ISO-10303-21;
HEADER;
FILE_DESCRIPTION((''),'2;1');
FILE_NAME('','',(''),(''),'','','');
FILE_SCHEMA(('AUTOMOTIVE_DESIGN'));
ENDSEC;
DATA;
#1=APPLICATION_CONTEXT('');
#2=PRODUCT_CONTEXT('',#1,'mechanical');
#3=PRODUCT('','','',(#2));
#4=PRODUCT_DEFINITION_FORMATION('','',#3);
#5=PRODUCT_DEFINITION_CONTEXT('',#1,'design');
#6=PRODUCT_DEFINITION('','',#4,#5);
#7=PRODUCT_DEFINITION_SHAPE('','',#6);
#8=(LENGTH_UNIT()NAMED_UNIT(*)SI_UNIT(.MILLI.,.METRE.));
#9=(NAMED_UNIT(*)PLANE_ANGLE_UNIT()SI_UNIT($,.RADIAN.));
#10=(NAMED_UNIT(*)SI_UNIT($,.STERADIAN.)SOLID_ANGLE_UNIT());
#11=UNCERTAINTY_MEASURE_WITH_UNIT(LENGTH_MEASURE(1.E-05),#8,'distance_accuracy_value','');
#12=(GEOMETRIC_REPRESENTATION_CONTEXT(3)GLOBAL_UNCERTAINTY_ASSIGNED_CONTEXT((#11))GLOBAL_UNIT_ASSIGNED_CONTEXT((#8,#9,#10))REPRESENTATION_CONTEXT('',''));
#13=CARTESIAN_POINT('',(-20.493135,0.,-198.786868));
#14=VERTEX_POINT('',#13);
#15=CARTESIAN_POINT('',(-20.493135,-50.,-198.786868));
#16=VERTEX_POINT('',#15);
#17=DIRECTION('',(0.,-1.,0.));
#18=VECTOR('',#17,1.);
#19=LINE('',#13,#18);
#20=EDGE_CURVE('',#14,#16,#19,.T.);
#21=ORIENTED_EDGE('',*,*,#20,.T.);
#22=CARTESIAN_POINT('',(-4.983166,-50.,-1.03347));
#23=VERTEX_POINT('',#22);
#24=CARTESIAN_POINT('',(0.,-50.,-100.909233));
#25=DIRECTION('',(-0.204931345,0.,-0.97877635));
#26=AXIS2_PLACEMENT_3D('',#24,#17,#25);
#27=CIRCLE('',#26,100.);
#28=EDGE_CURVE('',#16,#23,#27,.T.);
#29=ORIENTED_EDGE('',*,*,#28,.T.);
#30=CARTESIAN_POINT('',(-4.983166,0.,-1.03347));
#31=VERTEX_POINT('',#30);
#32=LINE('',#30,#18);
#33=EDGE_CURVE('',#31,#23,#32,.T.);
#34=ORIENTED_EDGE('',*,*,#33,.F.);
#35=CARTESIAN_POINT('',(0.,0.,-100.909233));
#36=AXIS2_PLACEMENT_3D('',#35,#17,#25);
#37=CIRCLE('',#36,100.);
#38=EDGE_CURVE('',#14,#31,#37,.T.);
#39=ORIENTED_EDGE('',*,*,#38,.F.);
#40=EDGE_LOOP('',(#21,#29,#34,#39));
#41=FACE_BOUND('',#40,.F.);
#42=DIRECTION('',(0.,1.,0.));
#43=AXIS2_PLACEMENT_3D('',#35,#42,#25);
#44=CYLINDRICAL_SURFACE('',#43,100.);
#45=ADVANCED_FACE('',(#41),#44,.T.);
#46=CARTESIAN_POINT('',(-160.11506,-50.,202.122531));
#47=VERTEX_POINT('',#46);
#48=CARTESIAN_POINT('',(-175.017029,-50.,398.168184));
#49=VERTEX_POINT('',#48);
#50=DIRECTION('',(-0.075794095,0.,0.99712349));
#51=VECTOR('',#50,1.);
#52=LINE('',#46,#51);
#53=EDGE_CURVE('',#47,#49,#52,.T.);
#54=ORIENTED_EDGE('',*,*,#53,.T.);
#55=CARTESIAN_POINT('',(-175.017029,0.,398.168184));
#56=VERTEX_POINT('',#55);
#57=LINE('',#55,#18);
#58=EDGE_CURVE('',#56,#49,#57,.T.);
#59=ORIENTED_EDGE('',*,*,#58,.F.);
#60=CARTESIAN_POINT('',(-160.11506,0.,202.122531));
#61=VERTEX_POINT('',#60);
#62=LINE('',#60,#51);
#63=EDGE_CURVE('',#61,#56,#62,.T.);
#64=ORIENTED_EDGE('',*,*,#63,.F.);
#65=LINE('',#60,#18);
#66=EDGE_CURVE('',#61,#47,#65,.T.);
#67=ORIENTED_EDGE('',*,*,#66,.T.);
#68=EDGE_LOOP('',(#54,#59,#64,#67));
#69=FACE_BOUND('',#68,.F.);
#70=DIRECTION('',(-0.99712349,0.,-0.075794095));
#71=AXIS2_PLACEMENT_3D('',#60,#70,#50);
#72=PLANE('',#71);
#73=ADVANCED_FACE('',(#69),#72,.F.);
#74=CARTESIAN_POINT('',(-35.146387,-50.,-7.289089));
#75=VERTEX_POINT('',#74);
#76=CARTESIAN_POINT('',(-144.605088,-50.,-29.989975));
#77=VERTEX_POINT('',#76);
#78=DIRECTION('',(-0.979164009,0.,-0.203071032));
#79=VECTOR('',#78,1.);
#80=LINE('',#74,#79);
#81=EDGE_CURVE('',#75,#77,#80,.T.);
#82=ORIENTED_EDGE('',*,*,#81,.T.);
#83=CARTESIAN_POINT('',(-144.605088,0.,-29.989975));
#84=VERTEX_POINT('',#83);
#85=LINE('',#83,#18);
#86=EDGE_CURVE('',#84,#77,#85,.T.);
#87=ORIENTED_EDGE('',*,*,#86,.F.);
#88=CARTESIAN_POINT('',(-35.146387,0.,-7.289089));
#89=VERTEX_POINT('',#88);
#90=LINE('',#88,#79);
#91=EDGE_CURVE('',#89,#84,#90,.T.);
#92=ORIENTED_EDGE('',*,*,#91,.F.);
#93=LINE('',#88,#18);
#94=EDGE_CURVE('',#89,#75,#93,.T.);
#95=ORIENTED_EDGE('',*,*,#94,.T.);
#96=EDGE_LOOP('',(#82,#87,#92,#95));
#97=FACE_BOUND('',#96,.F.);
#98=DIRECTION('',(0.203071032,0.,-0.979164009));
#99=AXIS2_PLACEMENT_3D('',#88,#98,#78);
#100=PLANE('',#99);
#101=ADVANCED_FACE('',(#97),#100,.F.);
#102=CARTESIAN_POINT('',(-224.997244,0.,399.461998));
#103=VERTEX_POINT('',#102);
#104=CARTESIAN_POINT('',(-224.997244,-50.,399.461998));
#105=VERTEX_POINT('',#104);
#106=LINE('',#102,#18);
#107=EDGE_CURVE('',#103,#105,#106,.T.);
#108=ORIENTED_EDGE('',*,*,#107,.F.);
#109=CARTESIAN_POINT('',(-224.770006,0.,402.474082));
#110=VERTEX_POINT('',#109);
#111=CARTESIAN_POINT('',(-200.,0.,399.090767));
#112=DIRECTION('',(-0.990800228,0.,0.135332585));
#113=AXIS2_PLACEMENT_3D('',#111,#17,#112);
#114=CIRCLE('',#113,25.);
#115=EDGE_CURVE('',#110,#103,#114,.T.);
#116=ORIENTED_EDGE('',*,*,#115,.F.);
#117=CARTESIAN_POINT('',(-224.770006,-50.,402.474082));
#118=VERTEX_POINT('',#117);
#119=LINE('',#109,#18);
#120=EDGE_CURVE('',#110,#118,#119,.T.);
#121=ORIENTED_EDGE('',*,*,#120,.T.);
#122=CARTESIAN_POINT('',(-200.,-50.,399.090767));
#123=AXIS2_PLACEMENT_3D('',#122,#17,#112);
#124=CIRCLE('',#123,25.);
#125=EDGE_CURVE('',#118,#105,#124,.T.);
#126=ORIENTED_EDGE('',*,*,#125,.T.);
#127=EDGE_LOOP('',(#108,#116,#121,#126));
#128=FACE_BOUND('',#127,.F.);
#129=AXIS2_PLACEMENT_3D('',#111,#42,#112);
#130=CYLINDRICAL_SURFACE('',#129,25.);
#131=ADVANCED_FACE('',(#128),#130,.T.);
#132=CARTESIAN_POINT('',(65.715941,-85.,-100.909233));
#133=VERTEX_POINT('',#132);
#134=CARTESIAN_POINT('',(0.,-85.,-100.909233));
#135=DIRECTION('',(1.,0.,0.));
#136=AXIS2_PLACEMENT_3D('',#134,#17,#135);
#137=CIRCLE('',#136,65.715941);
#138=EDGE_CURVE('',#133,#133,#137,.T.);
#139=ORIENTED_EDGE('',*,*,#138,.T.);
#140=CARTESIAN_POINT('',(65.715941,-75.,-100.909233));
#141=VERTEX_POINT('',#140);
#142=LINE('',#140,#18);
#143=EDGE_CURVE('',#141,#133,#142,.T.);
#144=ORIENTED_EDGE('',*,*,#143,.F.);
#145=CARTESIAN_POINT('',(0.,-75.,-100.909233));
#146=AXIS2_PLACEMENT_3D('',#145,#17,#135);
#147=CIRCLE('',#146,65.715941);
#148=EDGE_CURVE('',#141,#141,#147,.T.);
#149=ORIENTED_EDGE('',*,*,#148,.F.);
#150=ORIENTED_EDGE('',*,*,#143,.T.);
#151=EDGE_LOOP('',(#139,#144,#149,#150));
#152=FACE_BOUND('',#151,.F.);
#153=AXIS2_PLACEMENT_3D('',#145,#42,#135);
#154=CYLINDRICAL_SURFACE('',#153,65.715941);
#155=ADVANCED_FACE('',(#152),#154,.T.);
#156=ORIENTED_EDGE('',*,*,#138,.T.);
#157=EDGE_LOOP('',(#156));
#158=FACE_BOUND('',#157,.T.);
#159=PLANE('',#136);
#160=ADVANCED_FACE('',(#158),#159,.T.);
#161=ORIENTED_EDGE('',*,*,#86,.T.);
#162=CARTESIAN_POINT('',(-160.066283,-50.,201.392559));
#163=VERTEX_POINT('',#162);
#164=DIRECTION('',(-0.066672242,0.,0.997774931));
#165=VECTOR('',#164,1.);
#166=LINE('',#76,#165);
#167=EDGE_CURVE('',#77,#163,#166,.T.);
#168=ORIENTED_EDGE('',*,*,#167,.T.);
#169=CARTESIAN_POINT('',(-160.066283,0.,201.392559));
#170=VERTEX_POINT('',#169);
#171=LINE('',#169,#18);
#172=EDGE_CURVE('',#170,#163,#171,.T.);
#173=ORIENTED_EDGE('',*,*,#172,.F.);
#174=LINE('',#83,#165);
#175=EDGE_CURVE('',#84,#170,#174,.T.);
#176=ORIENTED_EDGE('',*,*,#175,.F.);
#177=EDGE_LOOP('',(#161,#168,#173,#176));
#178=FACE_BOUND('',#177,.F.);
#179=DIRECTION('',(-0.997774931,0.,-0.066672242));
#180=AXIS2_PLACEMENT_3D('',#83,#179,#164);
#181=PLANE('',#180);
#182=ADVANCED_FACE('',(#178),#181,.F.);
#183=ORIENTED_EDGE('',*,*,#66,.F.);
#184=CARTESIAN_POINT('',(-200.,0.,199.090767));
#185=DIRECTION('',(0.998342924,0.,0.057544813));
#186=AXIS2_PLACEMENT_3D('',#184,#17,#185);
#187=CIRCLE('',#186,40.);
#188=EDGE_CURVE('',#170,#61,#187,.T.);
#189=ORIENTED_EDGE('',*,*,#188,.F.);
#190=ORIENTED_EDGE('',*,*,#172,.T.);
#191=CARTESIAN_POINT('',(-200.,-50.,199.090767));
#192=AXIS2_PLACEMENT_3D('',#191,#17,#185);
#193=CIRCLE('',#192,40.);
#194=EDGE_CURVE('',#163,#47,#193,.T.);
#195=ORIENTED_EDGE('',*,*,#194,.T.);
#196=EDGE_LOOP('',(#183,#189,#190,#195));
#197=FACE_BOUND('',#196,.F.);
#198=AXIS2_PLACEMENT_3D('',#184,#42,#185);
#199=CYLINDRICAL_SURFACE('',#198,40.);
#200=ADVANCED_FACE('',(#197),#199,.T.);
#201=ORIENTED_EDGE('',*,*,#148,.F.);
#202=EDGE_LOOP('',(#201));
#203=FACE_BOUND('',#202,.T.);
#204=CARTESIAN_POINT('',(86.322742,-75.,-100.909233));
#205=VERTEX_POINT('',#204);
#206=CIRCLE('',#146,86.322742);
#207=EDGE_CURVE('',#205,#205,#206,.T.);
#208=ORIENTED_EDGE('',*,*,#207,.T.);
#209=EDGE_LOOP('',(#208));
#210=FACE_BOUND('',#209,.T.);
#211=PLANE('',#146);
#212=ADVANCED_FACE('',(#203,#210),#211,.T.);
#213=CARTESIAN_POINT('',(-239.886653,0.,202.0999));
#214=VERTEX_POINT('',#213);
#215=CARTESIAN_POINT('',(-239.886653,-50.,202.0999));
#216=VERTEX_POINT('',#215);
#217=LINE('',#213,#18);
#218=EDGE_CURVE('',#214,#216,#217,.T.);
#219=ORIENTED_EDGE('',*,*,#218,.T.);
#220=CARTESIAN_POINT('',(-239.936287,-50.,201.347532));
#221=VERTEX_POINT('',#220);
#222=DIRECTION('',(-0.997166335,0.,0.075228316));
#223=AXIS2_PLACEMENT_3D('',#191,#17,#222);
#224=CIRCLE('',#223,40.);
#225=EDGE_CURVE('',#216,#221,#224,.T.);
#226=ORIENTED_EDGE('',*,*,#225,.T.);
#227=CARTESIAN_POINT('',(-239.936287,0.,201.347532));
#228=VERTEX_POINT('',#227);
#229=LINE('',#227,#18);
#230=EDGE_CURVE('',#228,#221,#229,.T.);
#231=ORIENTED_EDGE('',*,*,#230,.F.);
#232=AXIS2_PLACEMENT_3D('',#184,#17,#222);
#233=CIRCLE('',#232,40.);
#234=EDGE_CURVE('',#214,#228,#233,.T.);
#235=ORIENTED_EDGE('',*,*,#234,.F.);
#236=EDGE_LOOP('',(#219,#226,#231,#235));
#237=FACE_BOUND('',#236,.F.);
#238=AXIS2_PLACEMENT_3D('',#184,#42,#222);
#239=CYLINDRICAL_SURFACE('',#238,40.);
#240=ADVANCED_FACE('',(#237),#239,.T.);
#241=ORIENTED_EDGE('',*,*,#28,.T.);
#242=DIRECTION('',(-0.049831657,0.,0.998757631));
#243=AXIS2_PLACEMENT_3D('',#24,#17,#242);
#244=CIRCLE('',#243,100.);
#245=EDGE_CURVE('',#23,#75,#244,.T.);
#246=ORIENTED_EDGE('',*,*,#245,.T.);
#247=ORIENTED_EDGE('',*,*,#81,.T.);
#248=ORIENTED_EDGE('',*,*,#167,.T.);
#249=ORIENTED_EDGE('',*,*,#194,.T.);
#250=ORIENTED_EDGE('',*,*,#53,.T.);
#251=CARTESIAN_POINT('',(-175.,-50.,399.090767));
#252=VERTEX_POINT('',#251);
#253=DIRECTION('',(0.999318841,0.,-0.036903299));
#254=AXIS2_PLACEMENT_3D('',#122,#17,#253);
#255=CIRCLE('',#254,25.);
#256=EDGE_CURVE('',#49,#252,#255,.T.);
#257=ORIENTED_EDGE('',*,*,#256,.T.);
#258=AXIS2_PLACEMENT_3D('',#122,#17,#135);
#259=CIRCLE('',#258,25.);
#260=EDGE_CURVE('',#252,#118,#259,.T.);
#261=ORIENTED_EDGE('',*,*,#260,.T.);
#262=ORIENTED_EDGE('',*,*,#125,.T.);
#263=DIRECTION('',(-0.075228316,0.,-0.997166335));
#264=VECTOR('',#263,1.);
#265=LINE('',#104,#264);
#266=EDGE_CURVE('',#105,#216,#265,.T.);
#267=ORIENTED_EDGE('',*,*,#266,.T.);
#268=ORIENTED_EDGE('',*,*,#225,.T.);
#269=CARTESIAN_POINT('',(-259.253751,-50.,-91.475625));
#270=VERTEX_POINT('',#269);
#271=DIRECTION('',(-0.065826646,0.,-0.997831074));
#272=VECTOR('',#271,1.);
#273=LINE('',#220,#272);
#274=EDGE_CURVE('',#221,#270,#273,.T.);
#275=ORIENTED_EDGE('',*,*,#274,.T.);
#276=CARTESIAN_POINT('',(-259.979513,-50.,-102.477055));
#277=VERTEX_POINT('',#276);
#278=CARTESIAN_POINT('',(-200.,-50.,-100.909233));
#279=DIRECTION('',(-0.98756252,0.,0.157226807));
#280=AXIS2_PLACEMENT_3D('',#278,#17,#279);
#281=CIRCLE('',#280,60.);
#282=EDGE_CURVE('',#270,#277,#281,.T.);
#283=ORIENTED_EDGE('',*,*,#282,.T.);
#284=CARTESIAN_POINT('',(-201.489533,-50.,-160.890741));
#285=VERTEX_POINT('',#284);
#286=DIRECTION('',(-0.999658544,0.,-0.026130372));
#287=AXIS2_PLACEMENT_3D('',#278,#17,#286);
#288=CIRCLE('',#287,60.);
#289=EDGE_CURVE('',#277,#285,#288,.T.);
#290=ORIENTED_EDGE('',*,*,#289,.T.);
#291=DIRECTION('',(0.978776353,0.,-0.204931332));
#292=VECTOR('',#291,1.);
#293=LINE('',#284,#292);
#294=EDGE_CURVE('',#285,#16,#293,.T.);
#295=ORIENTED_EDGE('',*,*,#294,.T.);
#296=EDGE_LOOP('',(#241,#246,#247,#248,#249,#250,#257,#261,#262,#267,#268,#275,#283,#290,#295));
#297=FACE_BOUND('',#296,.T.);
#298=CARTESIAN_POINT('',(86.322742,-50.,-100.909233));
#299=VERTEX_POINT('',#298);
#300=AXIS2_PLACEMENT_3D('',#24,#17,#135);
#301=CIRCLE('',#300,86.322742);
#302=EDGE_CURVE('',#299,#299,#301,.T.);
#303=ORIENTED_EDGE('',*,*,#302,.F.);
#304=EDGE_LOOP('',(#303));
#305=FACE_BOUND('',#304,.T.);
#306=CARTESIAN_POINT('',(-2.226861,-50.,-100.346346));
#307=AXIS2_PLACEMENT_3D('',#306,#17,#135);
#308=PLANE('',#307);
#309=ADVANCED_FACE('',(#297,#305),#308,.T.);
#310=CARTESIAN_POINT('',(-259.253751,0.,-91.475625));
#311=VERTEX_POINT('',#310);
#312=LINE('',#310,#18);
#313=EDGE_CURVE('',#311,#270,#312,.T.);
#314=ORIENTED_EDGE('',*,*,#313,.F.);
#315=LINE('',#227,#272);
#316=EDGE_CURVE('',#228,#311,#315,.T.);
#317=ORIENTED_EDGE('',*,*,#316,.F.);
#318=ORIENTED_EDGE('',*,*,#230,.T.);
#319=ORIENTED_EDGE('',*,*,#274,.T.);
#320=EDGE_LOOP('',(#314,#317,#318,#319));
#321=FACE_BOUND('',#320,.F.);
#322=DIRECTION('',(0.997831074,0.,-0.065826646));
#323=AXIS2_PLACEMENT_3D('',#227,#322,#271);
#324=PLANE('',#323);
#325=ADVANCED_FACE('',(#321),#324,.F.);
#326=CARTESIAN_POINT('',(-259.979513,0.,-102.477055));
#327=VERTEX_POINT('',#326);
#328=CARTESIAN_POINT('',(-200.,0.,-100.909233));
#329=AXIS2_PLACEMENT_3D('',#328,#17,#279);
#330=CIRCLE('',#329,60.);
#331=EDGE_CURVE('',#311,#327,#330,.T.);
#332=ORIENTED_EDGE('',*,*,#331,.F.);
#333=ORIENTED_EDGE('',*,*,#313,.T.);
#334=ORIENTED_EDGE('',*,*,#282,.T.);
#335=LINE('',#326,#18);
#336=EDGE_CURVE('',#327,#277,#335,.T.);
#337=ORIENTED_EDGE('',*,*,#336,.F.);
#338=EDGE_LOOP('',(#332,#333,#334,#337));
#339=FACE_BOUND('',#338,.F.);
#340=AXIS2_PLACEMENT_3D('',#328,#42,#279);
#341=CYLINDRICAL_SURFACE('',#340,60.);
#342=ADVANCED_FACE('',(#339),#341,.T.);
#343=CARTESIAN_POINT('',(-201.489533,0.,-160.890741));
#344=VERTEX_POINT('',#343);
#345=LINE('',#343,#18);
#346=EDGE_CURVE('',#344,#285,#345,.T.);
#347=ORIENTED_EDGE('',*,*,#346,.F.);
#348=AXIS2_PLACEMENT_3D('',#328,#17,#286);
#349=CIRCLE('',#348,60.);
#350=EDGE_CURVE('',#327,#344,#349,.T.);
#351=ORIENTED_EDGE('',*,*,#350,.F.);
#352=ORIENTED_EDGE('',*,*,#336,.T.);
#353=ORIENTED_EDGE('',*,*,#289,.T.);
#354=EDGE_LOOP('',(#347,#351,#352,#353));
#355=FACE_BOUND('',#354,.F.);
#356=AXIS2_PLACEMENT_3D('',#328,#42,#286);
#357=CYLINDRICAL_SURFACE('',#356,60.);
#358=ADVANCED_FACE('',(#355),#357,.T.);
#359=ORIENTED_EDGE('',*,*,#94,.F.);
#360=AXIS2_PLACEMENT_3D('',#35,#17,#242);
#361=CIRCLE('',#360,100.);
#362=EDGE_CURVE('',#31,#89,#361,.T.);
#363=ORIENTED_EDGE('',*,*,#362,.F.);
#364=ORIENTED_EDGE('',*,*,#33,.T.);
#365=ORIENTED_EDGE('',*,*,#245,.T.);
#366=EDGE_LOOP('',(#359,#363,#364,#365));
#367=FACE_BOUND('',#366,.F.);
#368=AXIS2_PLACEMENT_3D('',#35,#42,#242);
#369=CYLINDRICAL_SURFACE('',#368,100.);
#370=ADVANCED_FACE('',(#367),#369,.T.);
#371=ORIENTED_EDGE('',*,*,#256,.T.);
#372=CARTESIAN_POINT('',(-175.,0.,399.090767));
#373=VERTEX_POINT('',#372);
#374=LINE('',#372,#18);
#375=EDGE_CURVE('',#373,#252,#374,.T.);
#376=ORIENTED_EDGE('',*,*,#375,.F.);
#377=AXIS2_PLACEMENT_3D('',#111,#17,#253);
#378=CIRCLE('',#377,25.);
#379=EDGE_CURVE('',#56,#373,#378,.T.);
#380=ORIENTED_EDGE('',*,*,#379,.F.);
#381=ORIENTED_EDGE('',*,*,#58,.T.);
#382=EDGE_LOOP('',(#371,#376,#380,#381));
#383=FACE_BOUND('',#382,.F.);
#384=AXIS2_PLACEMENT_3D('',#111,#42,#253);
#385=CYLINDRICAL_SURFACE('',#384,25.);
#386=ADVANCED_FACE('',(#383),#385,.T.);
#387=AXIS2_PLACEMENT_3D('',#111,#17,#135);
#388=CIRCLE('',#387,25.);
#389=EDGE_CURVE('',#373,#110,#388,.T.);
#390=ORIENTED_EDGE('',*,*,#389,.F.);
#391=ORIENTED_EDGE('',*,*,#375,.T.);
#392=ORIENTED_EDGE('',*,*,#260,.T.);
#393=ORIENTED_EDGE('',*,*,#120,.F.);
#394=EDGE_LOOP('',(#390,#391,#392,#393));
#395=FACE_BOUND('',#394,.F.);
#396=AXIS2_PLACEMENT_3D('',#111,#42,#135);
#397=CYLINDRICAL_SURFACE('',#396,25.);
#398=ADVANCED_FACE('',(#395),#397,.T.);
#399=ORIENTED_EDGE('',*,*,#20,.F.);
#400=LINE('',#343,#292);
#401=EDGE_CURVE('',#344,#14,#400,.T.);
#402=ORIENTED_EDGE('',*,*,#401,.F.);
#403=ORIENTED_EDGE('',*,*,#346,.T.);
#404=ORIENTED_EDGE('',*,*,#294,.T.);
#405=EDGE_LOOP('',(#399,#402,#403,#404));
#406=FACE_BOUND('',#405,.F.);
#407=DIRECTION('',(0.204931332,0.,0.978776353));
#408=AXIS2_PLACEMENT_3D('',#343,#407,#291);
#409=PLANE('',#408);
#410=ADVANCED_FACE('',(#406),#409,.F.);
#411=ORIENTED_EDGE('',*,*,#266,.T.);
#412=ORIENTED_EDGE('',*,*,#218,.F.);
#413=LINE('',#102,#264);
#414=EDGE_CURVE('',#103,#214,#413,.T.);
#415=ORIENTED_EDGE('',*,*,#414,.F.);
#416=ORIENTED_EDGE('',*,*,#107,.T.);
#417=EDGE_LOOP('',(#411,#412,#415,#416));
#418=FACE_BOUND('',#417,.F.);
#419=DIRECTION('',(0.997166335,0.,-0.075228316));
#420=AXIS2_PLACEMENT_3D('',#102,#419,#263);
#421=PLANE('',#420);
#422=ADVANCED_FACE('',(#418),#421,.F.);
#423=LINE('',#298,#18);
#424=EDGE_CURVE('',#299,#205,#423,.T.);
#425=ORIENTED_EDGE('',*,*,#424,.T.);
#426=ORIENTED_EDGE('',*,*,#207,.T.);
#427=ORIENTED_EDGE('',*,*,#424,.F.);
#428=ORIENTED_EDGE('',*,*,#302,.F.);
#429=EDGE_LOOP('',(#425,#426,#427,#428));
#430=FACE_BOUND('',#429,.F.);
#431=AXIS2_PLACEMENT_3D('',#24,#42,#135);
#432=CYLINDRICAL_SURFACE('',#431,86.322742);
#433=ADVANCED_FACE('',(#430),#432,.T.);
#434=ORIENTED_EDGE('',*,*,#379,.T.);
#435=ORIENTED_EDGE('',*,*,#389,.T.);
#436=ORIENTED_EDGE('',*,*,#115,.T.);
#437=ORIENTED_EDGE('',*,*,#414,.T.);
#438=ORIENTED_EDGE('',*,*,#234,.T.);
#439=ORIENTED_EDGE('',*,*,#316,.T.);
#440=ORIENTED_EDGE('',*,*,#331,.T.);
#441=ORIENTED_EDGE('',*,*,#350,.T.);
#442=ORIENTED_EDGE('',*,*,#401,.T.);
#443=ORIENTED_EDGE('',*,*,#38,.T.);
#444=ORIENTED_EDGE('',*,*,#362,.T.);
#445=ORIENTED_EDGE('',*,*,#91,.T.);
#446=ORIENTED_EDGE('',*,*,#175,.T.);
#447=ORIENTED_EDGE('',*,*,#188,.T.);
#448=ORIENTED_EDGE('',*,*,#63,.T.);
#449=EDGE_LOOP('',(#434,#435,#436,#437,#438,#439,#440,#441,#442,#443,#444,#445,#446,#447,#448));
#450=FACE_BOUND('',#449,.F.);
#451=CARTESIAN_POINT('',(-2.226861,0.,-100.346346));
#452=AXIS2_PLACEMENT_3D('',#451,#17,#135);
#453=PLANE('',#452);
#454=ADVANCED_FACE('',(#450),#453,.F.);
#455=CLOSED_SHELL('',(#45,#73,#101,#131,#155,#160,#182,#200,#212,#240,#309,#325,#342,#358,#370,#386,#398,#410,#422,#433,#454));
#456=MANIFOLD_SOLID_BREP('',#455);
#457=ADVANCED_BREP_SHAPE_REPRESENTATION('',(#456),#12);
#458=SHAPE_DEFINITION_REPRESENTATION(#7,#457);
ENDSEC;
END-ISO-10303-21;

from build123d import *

# Parameters (mm, degrees)
F1_DEPTH = 50
F2_R     = 86.3227416046
F3_DEPTH = 25
F4_R     = 65.7159407402
F5_DEPTH = 10


with BuildPart() as f1:
    # F0 (on Front) → F1 (new body)
    with BuildSketch(Plane.XZ):
        with BuildLine():
            ThreePointArc((-20.4931345241, -198.7868681146), (63.0503233441, -178.5278953222), (100, -100.9092330933))
            ThreePointArc((100, -100.9092330933), (68.9263499461, -28.4581579936), (-4.983165662, -1.0334699673))
            Line((-4.983165662, -1.0334699673), (-35.1463871142, -7.2890885045))
            ThreePointArc((-35.1463871142, -7.2890885045), (-99.7085201522, -108.5388470457), (-20.4931345241, -198.7868681146))
        make_face()
        with BuildLine():
            Line((-35.1463871142, -7.2890885045), (-4.983165662, -1.0334699673))
            ThreePointArc((-4.983165662, -1.0334699673), (-20.307103248, -2.9928322317), (-35.1463871142, -7.2890885045))
        make_face()
        with BuildLine():
            Line((-201.4895329203, -160.8907410076), (-20.4931345241, -198.7868681146))
            ThreePointArc((-20.4931345241, -198.7868681146), (-99.7085201522, -108.5388470457), (-35.1463871142, -7.2890885045))
            Line((-35.1463871142, -7.2890885045), (-144.6050883957, -29.989975473))
            Line((-144.6050883957, -29.989975473), (-140.1335041643, -96.908898563))
            ThreePointArc((-140.1335041643, -96.908898563), (-140.0333853292, -98.9079522711), (-140, -100.9092330933))
            ThreePointArc((-140, -100.9092330933), (-158.1035322206, -143.8590408648), (-201.4895329203, -160.8907410076))
        make_face()
        with BuildLine():
            ThreePointArc((-259.9795126124, -102.4770553995), (-242.3987093701, -143.3633193954), (-201.4895329203, -160.8907410076))
            ThreePointArc((-201.4895329203, -160.8907410076), (-158.1035322206, -143.8590408648), (-140, -100.9092330933))
            ThreePointArc((-140, -100.9092330933), (-140.0333853292, -98.9079522711), (-140.1335041643, -96.908898563))
            ThreePointArc((-140.1335041643, -96.908898563), (-158.1101162428, -57.9530037568), (-197.505495076, -40.9611101436))
            ThreePointArc((-197.505495076, -40.9611101436), (-237.9912102248, -54.4692939713), (-259.2537512084, -91.4756246778))
            Line((-259.2537512084, -91.4756246778), (-259.9795126124, -102.4770553995))
        make_face()
        with BuildLine():
            Line((-140.1335041643, -96.908898563), (-144.6050883957, -29.989975473))
            Line((-144.6050883957, -29.989975473), (-197.505495076, -40.9611101436))
            ThreePointArc((-197.505495076, -40.9611101436), (-158.1101162428, -57.9530037568), (-140.1335041643, -96.908898563))
        make_face()
        with BuildLine():
            Line((-197.505495076, -40.9611101436), (-144.6050883957, -29.989975473))
            Line((-144.6050883957, -29.989975473), (-160.0662830286, 201.3925594364))
            ThreePointArc((-160.0662830286, 201.3925594364), (-160.016574191, 200.2421402486), (-160, 199.0907669067))
            ThreePointArc((-160, 199.0907669067), (-201.1288321578, 159.1066983549), (-239.936286898, 201.3475320257))
            Line((-239.936286898, 201.3475320257), (-259.2537512084, -91.4756246778))
            ThreePointArc((-259.2537512084, -91.4756246778), (-237.9912102248, -54.4692939713), (-197.505495076, -40.9611101436))
        make_face()
        with BuildLine():
            ThreePointArc((-259.2537512084, -91.4756246778), (-259.8698644546, -96.9596343563), (-259.9795126124, -102.4770553995))
            Line((-259.9795126124, -102.4770553995), (-259.2537512084, -91.4756246778))
        make_face()
        with BuildLine():
            Line((-160.1150603833, 202.1225307119), (-160.0662830286, 201.3925594364))
            ThreePointArc((-160.0662830286, 201.3925594364), (-160.0890027762, 201.7576565936), (-160.1150603833, 202.1225307119))
        make_face()
        with BuildLine():
            ThreePointArc((-160, 199.0907669067), (-160.016574191, 200.2421402486), (-160.0662830286, 201.3925594364))
            Line((-160.0662830286, 201.3925594364), (-160.1150603833, 202.1225307119))
            ThreePointArc((-160.1150603833, 202.1225307119), (-200.0113479884, 239.090765297), (-239.8866534174, 202.0998995332))
            Line((-239.8866534174, 202.0998995332), (-239.936286898, 201.3475320257))
            ThreePointArc((-239.936286898, 201.3475320257), (-201.1288321578, 159.1066983549), (-160, 199.0907669067))
        make_face()
        with BuildLine():
            ThreePointArc((-239.8866534174, 202.0998995332), (-200.0113479884, 239.090765297), (-160.1150603833, 202.1225307119))
            Line((-160.1150603833, 202.1225307119), (-175.0170289676, 398.1681844469))
            ThreePointArc((-175.0170289676, 398.1681844469), (-200.6469460036, 374.0991390912), (-224.9972436015, 399.4619977333))
            Line((-224.9972436015, 399.4619977333), (-239.8866534174, 202.0998995332))
        make_face()
        with BuildLine():
            ThreePointArc((-239.8866534174, 202.0998995332), (-239.9132429698, 201.7238327314), (-239.936286898, 201.3475320257))
            Line((-239.936286898, 201.3475320257), (-239.8866534174, 202.0998995332))
        make_face()
        with BuildLine():
            ThreePointArc((-224.9972436015, 399.4619977333), (-200.6469460036, 374.0991390912), (-175.0170289676, 398.1681844469))
            ThreePointArc((-175.0170289676, 398.1681844469), (-175.0042576044, 398.6293971036), (-175, 399.0907669067))
            ThreePointArc((-175, 399.0907669067), (-198.3044384925, 424.033202056), (-224.7700056939, 402.4740815422))
            Line((-224.7700056939, 402.4740815422), (-224.9972436015, 399.4619977333))
        make_face()
        with BuildLine():
            ThreePointArc((-224.7700056939, 402.4740815422), (-224.9291583858, 400.9714747983), (-224.9972436015, 399.4619977333))
            Line((-224.9972436015, 399.4619977333), (-224.7700056939, 402.4740815422))
        make_face()
    extrude(amount=F1_DEPTH)

    # F2 (on face) → F3 (join)
    with BuildSketch(Plane.XZ.offset(50)):
        with Locations((0, -100.9092330933)):
            Circle(F2_R)
    extrude(amount=F3_DEPTH)

    # F4 (on face) → F5 (join)
    with BuildSketch(Plane.XZ.offset(75)):
        with Locations((0, -100.9092330933)):
            Circle(F4_R)
    extrude(amount=F5_DEPTH)


solid = f1.part
